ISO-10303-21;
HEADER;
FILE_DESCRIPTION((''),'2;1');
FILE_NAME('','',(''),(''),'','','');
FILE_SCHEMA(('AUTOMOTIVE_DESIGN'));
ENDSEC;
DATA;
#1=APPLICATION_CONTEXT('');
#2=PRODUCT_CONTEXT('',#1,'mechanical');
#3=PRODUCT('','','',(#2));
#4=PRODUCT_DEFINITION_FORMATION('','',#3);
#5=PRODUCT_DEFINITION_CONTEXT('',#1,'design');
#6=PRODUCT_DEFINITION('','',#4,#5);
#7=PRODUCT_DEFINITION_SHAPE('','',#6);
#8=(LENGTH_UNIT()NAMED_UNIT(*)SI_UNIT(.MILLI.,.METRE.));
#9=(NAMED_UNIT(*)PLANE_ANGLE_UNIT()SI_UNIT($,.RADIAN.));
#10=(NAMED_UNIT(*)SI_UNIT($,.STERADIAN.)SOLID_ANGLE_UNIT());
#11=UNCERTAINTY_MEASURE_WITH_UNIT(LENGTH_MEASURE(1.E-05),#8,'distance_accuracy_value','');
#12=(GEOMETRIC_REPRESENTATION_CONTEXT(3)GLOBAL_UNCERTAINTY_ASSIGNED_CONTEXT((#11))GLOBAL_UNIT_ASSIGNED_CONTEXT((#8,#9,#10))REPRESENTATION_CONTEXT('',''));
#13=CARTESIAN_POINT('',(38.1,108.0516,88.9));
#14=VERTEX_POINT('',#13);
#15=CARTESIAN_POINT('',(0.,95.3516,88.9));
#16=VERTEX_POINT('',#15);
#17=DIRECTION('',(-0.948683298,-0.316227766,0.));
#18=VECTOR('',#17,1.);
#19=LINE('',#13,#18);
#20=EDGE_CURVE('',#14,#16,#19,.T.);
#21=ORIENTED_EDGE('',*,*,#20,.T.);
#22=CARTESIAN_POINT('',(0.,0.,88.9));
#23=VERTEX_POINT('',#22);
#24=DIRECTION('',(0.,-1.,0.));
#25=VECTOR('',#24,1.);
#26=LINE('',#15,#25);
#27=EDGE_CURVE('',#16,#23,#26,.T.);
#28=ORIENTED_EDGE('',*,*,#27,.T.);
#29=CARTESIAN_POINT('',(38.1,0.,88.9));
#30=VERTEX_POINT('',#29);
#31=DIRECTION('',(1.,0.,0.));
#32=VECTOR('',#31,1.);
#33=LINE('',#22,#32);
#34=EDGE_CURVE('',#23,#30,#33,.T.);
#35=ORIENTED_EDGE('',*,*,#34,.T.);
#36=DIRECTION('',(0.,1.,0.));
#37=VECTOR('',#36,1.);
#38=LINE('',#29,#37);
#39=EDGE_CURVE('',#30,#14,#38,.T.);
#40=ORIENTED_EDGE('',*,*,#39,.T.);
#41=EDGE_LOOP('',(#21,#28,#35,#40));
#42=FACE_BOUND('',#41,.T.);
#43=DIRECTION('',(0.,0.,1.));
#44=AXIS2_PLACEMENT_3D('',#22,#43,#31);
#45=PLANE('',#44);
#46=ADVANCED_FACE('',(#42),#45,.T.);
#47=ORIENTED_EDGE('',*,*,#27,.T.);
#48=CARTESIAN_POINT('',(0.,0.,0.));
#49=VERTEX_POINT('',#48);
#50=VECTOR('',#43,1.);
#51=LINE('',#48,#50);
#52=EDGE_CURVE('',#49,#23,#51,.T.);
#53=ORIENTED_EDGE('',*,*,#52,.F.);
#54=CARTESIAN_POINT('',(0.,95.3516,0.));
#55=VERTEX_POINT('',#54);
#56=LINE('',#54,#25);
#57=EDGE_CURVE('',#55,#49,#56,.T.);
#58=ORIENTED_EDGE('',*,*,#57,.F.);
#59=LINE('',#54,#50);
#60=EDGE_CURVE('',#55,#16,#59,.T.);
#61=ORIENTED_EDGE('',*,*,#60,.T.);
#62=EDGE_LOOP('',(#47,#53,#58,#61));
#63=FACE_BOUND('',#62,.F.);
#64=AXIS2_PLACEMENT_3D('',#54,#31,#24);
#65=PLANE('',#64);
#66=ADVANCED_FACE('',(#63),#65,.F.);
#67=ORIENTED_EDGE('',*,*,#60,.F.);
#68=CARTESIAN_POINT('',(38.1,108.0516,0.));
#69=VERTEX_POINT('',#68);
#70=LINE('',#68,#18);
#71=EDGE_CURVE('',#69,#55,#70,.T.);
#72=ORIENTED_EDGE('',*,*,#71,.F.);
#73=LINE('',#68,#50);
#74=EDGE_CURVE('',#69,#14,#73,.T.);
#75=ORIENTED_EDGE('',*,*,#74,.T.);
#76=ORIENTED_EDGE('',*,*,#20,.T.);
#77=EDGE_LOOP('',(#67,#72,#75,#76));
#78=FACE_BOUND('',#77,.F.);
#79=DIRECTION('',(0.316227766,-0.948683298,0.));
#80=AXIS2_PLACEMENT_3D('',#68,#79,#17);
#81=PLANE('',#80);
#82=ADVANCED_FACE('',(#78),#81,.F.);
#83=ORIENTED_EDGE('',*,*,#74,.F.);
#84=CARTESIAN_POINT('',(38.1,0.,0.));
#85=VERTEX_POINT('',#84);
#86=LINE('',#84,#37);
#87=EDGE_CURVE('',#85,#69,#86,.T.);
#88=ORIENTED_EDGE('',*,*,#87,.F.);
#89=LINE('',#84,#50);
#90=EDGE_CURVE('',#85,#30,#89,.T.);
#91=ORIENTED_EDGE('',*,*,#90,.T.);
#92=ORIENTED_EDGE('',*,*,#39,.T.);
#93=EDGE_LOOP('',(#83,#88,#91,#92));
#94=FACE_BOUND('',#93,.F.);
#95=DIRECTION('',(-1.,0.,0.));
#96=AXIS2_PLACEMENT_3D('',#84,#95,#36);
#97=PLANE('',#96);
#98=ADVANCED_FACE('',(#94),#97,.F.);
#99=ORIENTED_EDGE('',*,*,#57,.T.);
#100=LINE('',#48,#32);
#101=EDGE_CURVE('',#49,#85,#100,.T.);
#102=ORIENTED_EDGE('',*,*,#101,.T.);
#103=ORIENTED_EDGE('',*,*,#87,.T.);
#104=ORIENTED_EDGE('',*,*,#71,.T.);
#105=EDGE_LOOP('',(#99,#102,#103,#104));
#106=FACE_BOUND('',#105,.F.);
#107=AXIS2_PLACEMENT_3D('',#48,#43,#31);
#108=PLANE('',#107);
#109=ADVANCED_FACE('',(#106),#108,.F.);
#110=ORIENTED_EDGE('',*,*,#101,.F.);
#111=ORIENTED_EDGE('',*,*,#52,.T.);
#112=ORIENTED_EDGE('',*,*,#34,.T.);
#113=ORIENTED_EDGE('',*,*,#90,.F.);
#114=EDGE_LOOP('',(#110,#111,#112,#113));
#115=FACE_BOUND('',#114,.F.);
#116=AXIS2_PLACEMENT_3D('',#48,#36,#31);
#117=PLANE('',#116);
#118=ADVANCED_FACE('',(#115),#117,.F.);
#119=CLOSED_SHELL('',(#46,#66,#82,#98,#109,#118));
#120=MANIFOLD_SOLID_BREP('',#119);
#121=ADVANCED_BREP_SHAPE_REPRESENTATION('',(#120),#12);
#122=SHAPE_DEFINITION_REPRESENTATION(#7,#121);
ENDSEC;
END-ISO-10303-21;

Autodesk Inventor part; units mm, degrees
ref_plane "YZ Plane" through (0, 0, 0) normal (1, 0, 0) x (0, 1, 0)
ref_plane "XZ Plane" through (0, 0, 0) normal (0, 1, 0) x (-1, 0, 0)
ref_plane "XY Plane" through (0, 0, 0) normal (0, 0, 1) x (1, 0, 0)
sketch "Sketch1" plane through (0, 0, 0) normal (0, 0, 1) x (1, 0, 0)
  line L0 (0, 0) -> (38.1, 0)
  line L1 (38.1, 0) -> (38.1, 108.0516)
  line L2 (38.1, 108.0516) -> (0, 95.3516)
  line L3 (0, 95.3516) -> (0, 0)
  dimension "d0" = 95.3516
  dimension "d1" = 108.0516
  dimension "d2" = 38.1
extrude "Extrusion1" add sketch "Sketch1" along normal blind 88.9
properties part number "Stud_Between_Top_Plate_And_Rafter_1" material "Wood (Birch)"
